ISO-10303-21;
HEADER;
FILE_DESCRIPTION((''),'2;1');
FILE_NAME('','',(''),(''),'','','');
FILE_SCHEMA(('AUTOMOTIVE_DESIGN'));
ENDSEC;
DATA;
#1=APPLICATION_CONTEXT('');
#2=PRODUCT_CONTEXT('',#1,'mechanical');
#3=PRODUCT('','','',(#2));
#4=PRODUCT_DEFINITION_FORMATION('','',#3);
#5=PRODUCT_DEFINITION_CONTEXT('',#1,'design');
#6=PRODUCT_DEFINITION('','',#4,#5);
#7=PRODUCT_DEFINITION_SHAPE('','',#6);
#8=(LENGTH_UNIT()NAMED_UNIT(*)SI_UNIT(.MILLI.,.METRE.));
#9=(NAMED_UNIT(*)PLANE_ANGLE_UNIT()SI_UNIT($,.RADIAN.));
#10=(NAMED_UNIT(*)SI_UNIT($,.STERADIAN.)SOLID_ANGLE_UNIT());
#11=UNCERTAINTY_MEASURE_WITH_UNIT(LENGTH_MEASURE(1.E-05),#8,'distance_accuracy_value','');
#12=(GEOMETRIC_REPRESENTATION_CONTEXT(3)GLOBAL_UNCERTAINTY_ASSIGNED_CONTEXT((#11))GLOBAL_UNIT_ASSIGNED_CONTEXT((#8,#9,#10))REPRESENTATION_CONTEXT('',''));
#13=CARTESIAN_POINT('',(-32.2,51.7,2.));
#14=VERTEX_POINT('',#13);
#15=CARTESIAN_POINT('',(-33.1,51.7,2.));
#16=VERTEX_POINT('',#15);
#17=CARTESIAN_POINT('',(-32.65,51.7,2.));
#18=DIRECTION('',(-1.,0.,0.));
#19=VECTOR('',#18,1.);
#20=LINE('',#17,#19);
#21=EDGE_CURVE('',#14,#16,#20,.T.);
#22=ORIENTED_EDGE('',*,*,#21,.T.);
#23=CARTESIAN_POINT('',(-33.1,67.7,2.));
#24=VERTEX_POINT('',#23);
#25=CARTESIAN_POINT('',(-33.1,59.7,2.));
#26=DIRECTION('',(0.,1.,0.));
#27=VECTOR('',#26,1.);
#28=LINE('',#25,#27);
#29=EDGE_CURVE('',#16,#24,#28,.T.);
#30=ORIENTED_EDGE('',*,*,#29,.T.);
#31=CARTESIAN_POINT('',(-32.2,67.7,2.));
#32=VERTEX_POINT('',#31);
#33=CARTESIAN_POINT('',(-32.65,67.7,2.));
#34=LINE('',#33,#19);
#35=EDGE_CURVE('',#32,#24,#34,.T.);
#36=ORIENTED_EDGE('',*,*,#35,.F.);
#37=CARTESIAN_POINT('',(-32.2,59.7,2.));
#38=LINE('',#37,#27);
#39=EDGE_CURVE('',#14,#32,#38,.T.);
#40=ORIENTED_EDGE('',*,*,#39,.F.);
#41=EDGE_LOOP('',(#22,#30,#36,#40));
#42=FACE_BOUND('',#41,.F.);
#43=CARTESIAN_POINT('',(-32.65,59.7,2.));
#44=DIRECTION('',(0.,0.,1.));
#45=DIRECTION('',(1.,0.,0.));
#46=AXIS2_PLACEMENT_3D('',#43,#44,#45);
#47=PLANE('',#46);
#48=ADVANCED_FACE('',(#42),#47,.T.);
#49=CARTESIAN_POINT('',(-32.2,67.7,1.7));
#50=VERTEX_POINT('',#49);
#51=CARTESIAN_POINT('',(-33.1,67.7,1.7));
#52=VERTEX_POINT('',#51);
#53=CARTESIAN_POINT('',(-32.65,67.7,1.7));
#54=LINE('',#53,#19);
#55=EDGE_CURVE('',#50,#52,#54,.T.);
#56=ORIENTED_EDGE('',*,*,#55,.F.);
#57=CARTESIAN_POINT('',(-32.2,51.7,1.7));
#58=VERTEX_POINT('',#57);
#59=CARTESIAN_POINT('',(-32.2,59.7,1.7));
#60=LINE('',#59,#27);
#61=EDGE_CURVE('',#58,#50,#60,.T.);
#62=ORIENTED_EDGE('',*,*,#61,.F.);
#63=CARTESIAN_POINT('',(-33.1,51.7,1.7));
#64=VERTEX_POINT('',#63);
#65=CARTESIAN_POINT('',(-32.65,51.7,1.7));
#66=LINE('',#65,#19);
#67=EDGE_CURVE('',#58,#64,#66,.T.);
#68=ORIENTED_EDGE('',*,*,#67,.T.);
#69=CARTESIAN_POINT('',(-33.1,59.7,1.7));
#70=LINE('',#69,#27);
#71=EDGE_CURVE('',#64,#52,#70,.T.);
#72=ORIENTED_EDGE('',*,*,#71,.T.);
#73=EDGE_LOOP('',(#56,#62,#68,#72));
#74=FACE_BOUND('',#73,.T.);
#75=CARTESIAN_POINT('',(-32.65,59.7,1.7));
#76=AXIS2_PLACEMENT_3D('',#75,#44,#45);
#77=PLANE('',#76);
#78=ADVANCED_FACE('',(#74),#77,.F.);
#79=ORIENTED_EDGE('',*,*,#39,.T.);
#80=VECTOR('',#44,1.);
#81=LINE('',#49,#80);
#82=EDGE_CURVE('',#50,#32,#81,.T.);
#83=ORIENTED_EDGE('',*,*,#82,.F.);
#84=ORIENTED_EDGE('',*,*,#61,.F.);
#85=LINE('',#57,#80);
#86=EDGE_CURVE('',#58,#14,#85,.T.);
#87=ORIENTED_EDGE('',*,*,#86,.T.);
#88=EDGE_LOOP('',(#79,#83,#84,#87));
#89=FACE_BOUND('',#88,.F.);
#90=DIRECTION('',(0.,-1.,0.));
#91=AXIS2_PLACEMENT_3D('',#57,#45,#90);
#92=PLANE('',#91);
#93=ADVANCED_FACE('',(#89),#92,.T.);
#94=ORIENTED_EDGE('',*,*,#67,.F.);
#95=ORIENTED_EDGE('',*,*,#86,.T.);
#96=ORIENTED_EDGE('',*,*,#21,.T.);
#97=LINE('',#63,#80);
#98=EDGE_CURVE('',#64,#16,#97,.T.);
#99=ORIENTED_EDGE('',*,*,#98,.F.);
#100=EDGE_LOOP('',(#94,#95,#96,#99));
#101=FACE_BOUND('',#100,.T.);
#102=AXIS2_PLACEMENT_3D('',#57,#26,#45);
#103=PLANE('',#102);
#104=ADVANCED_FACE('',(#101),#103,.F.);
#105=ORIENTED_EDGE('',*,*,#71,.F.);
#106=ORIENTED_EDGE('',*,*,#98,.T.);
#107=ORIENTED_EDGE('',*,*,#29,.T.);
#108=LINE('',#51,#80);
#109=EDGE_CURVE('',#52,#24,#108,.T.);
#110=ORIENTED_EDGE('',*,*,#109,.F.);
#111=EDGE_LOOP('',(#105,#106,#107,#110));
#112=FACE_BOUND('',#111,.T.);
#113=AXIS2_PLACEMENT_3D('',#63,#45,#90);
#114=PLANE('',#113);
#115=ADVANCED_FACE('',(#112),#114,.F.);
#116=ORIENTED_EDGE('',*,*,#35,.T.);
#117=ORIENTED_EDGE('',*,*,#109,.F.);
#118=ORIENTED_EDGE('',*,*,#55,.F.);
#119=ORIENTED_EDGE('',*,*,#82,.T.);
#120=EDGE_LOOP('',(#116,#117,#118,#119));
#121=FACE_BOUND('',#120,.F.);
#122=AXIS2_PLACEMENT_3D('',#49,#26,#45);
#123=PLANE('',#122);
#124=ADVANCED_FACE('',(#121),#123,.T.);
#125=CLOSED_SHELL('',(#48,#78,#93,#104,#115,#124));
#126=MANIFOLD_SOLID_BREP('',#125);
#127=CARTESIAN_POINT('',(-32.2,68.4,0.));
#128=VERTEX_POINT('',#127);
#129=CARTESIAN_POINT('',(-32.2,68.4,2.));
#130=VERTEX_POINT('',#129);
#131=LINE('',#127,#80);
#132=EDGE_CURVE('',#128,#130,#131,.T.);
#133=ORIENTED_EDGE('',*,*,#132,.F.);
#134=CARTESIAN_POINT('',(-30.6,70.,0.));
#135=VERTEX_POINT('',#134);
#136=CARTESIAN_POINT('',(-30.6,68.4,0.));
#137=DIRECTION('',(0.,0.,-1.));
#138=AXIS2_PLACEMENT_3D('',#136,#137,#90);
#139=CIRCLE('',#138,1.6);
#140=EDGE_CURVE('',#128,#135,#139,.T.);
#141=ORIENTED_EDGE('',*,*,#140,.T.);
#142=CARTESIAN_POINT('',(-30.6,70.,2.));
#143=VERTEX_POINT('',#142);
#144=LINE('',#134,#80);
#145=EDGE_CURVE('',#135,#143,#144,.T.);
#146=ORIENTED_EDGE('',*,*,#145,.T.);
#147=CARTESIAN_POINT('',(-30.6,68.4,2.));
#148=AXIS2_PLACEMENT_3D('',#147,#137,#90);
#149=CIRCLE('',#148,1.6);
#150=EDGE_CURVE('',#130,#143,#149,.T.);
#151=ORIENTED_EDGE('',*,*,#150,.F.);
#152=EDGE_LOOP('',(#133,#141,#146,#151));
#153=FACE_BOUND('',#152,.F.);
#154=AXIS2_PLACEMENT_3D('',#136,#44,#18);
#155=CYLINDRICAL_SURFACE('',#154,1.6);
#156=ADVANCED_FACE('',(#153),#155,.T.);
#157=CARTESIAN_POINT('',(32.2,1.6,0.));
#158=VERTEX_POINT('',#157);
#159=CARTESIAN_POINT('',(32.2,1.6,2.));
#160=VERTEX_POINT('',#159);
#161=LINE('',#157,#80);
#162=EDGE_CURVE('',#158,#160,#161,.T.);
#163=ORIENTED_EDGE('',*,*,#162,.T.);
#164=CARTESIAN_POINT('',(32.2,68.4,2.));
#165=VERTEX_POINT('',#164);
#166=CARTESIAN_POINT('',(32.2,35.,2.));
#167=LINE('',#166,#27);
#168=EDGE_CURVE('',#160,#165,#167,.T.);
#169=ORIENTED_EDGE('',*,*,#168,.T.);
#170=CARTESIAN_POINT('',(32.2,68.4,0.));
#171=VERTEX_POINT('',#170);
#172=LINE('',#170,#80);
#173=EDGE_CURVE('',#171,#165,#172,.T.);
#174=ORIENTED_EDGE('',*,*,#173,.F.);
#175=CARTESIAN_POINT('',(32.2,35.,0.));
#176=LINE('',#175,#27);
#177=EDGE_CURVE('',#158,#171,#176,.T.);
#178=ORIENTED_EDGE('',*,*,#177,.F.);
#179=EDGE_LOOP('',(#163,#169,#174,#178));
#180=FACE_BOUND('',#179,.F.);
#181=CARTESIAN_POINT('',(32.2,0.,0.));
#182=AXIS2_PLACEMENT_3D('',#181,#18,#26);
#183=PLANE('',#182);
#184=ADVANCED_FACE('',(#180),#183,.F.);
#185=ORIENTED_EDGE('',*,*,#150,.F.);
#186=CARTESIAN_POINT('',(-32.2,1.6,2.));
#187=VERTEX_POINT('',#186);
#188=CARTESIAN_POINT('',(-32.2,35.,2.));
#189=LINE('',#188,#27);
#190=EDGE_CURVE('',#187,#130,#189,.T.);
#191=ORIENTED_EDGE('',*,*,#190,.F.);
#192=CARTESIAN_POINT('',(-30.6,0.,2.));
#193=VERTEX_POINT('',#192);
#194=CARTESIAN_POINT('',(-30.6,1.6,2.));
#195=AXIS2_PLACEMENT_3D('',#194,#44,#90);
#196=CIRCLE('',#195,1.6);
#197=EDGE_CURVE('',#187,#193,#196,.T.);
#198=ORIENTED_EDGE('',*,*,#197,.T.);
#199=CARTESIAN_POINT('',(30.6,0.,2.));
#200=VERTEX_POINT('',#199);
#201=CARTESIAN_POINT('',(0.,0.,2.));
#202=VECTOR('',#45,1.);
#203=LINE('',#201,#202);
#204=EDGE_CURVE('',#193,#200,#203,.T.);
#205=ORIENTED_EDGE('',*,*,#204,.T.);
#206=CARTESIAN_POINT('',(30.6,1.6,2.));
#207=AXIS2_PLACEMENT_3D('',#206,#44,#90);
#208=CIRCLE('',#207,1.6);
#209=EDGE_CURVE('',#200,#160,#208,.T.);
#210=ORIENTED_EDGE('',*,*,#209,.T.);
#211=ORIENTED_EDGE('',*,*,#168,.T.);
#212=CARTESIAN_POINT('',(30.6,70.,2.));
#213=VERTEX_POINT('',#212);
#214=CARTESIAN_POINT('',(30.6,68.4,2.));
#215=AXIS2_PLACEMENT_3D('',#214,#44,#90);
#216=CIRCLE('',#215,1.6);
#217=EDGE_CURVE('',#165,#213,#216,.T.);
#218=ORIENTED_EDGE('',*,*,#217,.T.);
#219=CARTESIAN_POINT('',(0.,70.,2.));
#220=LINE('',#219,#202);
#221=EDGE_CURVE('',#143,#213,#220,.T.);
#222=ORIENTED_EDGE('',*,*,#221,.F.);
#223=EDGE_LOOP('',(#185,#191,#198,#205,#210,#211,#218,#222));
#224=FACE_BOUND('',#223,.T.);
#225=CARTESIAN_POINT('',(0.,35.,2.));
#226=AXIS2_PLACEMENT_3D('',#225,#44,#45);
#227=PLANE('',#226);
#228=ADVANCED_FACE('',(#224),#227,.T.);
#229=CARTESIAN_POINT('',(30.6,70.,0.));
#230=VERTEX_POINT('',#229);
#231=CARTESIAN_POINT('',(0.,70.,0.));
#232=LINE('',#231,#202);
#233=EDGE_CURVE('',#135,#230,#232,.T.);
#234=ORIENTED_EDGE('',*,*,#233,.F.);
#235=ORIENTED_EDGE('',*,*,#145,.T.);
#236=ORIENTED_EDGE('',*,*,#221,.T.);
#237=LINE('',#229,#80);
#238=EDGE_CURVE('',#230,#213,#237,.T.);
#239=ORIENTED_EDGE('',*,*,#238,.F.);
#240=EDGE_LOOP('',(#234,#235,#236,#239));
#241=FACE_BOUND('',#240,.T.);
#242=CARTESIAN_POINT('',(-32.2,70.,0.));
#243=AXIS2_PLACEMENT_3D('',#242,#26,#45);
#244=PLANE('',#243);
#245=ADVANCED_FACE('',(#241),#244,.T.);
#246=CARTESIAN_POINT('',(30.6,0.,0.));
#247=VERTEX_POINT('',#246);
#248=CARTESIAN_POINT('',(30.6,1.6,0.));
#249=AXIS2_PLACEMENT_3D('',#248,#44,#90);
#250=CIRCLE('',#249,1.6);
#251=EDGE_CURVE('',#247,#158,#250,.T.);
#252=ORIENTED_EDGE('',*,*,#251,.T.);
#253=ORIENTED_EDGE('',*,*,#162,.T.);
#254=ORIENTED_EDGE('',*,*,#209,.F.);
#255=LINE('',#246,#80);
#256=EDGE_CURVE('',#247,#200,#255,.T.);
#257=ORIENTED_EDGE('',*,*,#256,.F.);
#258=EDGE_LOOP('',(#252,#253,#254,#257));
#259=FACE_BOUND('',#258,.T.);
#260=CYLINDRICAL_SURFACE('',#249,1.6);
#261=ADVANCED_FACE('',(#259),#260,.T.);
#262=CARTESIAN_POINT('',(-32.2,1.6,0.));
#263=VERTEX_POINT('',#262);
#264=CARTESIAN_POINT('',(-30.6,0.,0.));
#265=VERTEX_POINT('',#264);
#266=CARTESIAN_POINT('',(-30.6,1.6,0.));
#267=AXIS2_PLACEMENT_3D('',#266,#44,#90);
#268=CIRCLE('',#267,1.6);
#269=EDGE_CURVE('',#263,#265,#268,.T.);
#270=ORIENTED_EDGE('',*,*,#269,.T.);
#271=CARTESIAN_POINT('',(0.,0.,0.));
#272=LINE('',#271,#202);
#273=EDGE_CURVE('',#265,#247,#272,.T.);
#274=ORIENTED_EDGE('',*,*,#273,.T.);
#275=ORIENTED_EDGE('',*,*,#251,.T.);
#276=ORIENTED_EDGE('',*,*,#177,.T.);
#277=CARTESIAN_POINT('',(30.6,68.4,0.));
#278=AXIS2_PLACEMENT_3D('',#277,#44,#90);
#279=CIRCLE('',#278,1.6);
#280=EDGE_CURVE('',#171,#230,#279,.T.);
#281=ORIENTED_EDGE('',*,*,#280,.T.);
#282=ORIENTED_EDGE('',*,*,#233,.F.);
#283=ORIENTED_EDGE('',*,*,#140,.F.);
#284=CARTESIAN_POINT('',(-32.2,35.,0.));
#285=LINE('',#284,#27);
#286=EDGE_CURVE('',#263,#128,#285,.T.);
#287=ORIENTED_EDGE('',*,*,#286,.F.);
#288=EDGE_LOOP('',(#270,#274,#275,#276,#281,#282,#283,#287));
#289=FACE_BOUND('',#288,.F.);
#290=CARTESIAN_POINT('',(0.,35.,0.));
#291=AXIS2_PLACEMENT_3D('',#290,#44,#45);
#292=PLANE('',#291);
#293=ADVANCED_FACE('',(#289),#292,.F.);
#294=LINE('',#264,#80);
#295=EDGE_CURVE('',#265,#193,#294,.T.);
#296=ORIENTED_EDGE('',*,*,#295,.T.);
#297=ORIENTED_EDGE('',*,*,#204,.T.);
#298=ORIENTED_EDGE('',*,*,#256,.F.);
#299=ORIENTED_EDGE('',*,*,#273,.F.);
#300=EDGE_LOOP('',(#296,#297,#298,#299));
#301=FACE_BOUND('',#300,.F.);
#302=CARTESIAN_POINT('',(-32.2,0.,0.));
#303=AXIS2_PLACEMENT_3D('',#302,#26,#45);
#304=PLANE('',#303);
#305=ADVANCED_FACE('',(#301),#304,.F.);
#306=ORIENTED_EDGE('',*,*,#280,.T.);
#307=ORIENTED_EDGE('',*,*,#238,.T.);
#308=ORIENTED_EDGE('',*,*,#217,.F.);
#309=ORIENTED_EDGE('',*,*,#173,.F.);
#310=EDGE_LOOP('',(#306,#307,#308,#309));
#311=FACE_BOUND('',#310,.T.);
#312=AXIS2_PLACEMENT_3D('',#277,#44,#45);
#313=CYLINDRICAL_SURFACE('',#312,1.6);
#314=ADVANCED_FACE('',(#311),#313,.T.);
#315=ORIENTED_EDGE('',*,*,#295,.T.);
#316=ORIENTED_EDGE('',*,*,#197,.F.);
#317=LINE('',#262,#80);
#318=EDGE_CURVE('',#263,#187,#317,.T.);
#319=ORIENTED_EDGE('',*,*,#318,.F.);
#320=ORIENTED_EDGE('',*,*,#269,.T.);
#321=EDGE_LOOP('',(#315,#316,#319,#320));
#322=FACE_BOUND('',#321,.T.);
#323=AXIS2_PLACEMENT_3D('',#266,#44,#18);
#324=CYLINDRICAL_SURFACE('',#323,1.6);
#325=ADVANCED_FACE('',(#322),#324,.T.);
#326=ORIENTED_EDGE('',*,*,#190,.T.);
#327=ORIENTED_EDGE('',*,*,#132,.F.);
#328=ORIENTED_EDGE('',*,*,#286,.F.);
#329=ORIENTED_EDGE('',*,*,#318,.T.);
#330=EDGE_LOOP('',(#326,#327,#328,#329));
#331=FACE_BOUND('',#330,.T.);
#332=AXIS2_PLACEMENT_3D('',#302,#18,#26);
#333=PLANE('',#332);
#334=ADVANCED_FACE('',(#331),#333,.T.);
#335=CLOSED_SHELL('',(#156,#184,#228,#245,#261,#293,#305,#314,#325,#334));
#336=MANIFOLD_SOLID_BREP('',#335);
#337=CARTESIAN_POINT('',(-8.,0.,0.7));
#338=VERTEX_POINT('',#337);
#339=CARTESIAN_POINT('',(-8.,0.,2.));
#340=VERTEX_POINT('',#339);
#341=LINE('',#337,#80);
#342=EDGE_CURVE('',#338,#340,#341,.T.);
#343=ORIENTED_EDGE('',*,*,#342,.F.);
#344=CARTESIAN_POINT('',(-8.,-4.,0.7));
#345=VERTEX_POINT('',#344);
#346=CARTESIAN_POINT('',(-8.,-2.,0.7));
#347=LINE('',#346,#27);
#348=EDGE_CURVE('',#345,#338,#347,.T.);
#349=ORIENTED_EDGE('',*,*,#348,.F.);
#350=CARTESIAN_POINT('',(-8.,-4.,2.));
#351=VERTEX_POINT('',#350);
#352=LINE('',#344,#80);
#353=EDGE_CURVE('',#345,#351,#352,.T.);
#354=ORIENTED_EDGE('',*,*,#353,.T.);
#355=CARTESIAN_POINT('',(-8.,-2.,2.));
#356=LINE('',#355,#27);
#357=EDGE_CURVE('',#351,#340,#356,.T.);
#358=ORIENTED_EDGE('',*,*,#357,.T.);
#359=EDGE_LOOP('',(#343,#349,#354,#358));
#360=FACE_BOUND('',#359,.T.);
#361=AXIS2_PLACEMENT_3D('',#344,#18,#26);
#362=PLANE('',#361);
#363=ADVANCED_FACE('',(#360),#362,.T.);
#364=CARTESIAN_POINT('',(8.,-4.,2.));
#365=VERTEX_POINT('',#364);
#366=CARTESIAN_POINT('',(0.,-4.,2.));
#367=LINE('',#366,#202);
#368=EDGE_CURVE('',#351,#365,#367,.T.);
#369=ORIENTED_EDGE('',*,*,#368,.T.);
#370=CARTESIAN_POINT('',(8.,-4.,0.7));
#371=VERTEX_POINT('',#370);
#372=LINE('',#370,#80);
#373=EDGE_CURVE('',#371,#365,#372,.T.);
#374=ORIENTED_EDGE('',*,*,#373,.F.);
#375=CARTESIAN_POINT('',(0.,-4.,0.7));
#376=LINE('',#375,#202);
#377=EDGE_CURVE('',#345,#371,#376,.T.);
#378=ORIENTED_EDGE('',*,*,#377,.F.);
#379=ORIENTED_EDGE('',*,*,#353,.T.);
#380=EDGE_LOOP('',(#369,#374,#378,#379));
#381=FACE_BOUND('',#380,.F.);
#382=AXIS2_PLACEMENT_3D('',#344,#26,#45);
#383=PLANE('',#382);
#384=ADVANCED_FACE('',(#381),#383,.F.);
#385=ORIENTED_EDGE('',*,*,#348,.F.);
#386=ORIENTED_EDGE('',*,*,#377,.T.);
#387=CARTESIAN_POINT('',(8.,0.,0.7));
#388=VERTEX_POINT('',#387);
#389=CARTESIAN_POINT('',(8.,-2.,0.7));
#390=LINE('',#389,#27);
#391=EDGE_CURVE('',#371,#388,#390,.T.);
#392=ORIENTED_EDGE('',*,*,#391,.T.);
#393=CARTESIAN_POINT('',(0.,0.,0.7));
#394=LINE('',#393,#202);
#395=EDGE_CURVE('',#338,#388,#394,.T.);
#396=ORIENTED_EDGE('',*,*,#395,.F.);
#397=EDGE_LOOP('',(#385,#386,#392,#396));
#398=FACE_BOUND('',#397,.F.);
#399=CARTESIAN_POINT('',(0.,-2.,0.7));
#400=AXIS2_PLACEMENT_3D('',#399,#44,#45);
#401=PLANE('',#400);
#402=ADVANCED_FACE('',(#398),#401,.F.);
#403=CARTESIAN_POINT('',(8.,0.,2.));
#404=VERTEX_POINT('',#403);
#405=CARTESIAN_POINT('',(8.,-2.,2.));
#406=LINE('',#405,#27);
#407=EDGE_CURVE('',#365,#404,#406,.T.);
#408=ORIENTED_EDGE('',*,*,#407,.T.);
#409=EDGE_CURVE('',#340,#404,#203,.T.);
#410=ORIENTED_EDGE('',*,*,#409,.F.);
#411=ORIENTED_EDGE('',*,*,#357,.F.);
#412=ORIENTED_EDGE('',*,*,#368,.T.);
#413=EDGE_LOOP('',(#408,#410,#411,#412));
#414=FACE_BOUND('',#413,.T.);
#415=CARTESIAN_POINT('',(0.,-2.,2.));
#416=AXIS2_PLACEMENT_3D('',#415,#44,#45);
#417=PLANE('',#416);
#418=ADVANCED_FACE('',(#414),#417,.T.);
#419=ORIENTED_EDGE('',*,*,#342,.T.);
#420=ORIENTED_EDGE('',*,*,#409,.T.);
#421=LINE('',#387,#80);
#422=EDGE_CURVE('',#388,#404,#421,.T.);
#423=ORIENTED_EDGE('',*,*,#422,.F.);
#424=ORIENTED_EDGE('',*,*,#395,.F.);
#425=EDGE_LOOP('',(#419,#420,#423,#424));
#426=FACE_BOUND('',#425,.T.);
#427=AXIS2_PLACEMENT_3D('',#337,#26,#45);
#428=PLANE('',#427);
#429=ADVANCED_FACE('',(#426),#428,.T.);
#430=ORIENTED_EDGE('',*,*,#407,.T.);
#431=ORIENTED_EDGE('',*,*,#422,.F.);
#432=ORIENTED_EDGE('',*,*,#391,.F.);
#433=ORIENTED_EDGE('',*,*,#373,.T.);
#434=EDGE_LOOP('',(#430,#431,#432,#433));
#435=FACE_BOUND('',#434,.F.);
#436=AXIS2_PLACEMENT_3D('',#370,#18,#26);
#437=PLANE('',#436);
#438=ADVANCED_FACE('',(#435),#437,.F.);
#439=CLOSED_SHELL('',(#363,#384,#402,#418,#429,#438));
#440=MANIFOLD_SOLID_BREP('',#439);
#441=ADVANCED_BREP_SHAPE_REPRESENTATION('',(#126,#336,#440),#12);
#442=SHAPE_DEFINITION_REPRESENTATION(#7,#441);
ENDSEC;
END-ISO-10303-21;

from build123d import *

# Parameters (mm, degrees)
BOX001_W     = 16
BOX001_H     = 4
BOX001_DEPTH = 1.3
BOX_W        = 64.4
BOX_H        = 70
BOX_DEPTH    = 2
FILLET_R     = 1.6
BOX002_W     = 0.9
BOX002_H     = 16
BOX002_DEPTH = 0.3


with BuildPart() as cube001:
    # Box001 → Box001 (new body)
    with BuildSketch(Plane(origin=(-8, -4, 0.7), x_dir=(1, 0, 0), z_dir=(0, 0, 1))):
        with Locations((8, 2)):
            Rectangle(BOX001_W, BOX001_H)
    extrude(amount=BOX001_DEPTH)


with BuildPart() as fillet_body:
    # Box → Box (new body)
    with BuildSketch(Plane(origin=(-32.2, 0, 0), x_dir=(1, 0, 0), z_dir=(0, 0, 1))):
        with Locations((32.2, 35)):
            Rectangle(BOX_W, BOX_H)
    extrude(amount=BOX_DEPTH)

    # Fillet
    fillet_edges = [fillet_body.edges().sort_by_distance(p)[0] for p in [
        (-32.2, 0, 1),
        (-32.2, 70, 1),
        (32.2, 0, 1),
        (32.2, 70, 1),
    ]]
    fillet(fillet_edges, radius=FILLET_R)


with BuildPart() as cube002:
    # Box002 → Box002 (new body)
    with BuildSketch(Plane(origin=(32.2, 51.7, 1.7), x_dir=(1, 0, 0), z_dir=(0, 0, 1))):
        with Locations((0.45, 8)):
            Rectangle(BOX002_W, BOX002_H)
    extrude(amount=BOX002_DEPTH)


with BuildPart() as part_mirroring:
    # Part__Mirroring: instance of Cube002
    add(cube002.part.mirror(Plane(origin=(0, 0, 0), x_dir=(0, -1, 0), z_dir=(1, 0, 0))))


solid = Compound([cube001.part, fillet_body.part, part_mirroring.part])
